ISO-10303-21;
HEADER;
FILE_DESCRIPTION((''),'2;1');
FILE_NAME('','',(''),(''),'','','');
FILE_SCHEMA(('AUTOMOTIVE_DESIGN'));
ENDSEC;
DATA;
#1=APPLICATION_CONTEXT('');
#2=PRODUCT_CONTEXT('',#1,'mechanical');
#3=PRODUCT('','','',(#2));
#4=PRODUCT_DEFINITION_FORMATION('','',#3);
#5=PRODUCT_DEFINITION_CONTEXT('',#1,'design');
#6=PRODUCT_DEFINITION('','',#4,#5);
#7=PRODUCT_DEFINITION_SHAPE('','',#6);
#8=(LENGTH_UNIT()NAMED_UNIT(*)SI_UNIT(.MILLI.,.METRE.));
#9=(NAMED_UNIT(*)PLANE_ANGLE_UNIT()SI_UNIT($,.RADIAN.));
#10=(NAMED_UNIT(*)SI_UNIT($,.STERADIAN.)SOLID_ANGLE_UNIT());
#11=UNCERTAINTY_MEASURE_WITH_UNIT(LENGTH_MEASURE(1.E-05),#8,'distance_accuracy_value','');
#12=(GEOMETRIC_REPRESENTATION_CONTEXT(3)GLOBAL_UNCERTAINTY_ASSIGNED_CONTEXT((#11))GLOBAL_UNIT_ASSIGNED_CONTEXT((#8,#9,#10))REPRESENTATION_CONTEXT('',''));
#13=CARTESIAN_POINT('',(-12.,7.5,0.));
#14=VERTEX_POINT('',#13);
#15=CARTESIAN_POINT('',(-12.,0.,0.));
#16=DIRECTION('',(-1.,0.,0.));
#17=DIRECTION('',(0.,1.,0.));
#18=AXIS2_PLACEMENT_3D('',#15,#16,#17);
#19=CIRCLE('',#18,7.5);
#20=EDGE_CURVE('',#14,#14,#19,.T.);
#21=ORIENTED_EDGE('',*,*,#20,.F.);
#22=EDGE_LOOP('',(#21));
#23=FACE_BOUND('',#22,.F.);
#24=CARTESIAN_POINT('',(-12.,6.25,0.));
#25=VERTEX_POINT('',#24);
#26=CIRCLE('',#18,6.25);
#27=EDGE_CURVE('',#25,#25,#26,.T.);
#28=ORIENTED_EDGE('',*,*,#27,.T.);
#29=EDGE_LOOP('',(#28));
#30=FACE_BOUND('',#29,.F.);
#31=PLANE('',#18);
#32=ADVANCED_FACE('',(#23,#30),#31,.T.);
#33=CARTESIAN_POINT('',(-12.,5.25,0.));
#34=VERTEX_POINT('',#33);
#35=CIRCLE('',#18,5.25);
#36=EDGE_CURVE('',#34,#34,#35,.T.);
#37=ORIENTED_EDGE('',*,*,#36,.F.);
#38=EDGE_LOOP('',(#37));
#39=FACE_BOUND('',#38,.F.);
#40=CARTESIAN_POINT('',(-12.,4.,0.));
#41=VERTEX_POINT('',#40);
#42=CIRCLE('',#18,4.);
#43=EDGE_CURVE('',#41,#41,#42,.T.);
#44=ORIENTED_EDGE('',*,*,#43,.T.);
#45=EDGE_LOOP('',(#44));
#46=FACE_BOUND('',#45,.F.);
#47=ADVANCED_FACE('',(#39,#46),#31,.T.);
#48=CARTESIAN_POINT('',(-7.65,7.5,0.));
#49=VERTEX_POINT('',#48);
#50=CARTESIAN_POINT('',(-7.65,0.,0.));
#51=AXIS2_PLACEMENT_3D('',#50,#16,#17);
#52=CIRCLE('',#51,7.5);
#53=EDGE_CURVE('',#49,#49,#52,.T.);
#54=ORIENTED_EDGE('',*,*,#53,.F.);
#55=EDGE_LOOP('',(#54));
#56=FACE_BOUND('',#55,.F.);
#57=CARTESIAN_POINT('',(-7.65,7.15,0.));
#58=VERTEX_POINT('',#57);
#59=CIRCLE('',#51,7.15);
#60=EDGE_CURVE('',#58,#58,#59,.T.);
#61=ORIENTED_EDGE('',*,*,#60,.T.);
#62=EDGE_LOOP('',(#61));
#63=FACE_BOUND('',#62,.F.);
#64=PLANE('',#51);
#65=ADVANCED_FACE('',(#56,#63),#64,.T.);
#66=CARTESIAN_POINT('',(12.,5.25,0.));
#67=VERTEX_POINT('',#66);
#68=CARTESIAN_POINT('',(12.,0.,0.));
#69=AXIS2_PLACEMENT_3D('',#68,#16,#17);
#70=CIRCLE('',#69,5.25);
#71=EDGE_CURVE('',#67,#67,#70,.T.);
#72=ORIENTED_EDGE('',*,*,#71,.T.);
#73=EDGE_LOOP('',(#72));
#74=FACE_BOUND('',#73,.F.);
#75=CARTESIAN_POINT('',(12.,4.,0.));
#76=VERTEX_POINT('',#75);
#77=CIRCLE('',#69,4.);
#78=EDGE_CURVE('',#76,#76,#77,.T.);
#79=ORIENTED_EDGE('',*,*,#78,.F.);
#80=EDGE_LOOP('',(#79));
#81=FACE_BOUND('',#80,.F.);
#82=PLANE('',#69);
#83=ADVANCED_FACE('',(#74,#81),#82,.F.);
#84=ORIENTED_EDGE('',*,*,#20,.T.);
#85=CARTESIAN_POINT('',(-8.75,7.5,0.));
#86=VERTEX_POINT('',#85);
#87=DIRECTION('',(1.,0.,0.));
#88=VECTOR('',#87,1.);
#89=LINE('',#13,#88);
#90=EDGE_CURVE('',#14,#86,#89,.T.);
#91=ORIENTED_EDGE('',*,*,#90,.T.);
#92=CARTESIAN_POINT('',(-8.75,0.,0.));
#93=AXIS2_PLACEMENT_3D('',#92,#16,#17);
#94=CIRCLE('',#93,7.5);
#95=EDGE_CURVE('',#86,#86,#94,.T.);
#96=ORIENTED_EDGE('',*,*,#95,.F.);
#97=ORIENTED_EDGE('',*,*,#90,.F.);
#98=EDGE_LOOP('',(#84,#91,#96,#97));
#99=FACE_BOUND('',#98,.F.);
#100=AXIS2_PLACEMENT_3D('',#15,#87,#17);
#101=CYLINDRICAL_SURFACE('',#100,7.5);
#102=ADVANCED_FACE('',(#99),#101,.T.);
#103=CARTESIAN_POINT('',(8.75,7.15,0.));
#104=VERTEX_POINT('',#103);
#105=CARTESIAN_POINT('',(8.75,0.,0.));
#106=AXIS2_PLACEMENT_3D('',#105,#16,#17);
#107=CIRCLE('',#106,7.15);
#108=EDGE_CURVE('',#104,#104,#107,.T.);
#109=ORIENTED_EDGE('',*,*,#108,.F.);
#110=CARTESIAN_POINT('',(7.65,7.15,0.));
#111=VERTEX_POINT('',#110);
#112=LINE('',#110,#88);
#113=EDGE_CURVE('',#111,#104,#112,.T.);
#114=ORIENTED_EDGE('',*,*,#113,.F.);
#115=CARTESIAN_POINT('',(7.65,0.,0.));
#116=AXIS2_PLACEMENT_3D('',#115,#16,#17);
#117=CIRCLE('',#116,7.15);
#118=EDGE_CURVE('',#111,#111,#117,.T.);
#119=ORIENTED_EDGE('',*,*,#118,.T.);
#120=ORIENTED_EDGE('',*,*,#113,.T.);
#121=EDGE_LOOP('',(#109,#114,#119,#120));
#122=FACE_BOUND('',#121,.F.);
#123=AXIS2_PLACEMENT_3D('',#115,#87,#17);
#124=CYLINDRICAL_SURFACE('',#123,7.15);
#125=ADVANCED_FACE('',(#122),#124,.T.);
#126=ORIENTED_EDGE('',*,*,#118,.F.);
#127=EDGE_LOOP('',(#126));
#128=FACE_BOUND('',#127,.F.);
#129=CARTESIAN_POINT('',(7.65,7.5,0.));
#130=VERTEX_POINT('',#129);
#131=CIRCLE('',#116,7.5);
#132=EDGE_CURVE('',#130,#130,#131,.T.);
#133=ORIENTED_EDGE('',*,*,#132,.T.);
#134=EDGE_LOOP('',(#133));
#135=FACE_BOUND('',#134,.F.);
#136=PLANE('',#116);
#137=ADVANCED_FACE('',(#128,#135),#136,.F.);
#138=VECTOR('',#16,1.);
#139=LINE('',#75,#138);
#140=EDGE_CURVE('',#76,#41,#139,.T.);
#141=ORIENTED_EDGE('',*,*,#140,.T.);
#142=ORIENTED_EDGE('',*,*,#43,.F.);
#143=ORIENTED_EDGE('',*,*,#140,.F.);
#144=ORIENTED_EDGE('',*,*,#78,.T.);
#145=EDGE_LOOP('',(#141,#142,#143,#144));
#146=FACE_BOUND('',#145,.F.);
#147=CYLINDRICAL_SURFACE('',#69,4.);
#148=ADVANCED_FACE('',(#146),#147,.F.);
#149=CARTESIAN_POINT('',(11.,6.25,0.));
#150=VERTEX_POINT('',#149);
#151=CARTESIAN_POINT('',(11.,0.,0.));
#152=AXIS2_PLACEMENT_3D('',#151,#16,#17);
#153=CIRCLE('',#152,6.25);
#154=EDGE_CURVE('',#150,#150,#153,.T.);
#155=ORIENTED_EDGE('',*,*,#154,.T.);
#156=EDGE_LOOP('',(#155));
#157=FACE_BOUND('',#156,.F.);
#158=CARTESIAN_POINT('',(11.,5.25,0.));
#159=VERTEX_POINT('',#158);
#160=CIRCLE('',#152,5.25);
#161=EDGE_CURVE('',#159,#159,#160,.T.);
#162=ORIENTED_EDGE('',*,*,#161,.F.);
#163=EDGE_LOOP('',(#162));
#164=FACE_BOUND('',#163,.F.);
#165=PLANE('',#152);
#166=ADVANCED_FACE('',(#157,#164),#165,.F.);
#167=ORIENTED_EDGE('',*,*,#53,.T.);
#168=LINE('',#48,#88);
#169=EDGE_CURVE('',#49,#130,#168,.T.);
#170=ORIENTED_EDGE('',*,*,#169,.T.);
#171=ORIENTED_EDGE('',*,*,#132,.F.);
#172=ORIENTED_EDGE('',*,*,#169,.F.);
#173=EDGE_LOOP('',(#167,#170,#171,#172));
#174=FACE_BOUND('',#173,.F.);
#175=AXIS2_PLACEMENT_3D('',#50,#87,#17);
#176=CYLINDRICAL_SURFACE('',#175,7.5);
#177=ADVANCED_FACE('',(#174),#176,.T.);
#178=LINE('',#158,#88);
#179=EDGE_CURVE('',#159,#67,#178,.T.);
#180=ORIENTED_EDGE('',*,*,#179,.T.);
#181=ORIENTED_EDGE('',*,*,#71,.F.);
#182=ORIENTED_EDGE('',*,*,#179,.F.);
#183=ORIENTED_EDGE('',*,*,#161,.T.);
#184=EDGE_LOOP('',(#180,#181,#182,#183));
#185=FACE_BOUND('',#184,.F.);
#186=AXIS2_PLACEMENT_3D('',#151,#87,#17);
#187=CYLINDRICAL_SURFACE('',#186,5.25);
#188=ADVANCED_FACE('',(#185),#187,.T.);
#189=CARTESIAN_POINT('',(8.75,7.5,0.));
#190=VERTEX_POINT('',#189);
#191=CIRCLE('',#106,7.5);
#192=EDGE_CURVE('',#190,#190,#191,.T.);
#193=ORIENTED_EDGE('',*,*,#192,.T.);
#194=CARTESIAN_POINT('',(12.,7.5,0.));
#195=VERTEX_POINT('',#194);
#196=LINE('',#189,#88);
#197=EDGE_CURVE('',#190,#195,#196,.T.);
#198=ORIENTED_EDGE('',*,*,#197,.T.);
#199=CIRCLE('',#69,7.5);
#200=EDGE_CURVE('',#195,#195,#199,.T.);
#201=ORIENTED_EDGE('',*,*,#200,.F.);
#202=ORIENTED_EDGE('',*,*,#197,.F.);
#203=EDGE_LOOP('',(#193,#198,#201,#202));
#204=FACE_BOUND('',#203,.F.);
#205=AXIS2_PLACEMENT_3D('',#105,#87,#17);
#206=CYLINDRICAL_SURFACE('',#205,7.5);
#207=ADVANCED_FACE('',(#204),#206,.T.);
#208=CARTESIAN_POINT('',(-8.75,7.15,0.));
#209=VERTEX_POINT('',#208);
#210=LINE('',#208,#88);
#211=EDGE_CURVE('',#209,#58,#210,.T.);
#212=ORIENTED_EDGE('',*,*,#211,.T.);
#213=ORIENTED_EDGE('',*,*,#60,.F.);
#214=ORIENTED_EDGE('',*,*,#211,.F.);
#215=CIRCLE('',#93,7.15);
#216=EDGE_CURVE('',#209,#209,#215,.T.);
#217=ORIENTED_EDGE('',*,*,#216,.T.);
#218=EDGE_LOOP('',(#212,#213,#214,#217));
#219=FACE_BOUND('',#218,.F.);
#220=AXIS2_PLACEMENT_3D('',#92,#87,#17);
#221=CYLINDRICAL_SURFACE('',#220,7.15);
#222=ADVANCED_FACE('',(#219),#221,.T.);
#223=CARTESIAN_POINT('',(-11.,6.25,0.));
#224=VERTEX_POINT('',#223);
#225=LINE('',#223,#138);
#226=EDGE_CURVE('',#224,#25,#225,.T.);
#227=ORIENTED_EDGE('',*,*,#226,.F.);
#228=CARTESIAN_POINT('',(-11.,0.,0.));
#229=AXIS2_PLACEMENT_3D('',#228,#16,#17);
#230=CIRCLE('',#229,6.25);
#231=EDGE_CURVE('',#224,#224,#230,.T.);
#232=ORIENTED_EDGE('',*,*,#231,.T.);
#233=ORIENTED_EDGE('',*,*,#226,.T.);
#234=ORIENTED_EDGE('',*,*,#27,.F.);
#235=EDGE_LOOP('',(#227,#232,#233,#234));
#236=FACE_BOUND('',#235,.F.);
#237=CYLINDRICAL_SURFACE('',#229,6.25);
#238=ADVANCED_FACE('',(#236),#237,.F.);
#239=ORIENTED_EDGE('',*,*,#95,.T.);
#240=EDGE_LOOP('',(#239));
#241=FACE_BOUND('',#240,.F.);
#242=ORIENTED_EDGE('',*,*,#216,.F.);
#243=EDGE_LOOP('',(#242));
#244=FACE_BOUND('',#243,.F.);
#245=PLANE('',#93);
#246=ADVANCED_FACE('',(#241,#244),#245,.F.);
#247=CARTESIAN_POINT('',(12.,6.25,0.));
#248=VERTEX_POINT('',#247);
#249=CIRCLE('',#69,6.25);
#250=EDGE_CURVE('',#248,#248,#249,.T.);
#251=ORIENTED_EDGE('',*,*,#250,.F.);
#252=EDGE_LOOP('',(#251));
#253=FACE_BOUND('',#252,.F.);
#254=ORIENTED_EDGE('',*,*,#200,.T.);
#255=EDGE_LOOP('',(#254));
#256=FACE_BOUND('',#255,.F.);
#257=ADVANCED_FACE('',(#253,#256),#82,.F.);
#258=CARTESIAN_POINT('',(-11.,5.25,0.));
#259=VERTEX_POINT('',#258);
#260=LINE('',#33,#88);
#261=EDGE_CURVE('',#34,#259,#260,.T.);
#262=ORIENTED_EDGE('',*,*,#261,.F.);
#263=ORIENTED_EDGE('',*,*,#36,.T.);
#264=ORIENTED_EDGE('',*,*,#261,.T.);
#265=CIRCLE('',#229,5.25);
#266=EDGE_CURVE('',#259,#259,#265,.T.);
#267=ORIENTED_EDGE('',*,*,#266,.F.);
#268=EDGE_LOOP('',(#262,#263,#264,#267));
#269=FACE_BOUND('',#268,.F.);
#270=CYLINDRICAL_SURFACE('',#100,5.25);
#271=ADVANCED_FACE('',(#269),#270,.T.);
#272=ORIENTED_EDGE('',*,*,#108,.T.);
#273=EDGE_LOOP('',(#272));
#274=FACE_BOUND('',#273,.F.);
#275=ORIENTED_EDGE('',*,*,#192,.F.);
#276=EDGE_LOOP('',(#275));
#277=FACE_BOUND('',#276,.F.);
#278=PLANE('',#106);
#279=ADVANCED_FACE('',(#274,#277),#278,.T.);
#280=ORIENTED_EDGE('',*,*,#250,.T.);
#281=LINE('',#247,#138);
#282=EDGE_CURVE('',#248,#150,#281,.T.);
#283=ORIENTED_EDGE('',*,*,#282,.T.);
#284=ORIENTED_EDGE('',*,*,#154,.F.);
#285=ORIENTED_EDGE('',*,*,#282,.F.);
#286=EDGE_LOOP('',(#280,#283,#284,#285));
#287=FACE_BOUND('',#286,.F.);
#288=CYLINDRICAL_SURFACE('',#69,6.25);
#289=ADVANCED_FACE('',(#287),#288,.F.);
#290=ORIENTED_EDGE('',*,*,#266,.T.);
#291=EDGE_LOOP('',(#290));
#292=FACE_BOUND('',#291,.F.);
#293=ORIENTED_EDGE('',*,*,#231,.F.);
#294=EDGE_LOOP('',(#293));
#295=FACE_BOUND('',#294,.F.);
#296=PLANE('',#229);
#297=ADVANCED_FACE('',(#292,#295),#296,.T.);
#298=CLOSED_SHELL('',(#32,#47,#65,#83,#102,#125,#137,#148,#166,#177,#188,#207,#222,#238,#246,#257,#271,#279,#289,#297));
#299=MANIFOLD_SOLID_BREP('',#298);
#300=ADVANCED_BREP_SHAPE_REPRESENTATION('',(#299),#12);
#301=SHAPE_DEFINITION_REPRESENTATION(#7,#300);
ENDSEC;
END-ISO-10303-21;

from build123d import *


with BuildPart() as part:
    # Esboço1 → Revolution (revolve)
    with BuildSketch(Plane.XY):
        Polygon((-12, 7.5), (-8.75, 7.5), (-8.75, 7.15), (-7.65, 7.15), (-7.65, 7.5), (7.65, 7.5), (7.65, 7.15), (8.75, 7.15), (8.75, 7.5), (12, 7.5), (12, 6.25), (11, 6.25), (11, 5.25), (12, 5.25), (12, 4), (-12, 4), (-12, 5.25), (-11, 5.25), (-11, 6.25), (-12, 6.25), align=None)
    revolve(axis=Axis((0, 0, 0), (-1, 0, 0)))


solid = part.part
